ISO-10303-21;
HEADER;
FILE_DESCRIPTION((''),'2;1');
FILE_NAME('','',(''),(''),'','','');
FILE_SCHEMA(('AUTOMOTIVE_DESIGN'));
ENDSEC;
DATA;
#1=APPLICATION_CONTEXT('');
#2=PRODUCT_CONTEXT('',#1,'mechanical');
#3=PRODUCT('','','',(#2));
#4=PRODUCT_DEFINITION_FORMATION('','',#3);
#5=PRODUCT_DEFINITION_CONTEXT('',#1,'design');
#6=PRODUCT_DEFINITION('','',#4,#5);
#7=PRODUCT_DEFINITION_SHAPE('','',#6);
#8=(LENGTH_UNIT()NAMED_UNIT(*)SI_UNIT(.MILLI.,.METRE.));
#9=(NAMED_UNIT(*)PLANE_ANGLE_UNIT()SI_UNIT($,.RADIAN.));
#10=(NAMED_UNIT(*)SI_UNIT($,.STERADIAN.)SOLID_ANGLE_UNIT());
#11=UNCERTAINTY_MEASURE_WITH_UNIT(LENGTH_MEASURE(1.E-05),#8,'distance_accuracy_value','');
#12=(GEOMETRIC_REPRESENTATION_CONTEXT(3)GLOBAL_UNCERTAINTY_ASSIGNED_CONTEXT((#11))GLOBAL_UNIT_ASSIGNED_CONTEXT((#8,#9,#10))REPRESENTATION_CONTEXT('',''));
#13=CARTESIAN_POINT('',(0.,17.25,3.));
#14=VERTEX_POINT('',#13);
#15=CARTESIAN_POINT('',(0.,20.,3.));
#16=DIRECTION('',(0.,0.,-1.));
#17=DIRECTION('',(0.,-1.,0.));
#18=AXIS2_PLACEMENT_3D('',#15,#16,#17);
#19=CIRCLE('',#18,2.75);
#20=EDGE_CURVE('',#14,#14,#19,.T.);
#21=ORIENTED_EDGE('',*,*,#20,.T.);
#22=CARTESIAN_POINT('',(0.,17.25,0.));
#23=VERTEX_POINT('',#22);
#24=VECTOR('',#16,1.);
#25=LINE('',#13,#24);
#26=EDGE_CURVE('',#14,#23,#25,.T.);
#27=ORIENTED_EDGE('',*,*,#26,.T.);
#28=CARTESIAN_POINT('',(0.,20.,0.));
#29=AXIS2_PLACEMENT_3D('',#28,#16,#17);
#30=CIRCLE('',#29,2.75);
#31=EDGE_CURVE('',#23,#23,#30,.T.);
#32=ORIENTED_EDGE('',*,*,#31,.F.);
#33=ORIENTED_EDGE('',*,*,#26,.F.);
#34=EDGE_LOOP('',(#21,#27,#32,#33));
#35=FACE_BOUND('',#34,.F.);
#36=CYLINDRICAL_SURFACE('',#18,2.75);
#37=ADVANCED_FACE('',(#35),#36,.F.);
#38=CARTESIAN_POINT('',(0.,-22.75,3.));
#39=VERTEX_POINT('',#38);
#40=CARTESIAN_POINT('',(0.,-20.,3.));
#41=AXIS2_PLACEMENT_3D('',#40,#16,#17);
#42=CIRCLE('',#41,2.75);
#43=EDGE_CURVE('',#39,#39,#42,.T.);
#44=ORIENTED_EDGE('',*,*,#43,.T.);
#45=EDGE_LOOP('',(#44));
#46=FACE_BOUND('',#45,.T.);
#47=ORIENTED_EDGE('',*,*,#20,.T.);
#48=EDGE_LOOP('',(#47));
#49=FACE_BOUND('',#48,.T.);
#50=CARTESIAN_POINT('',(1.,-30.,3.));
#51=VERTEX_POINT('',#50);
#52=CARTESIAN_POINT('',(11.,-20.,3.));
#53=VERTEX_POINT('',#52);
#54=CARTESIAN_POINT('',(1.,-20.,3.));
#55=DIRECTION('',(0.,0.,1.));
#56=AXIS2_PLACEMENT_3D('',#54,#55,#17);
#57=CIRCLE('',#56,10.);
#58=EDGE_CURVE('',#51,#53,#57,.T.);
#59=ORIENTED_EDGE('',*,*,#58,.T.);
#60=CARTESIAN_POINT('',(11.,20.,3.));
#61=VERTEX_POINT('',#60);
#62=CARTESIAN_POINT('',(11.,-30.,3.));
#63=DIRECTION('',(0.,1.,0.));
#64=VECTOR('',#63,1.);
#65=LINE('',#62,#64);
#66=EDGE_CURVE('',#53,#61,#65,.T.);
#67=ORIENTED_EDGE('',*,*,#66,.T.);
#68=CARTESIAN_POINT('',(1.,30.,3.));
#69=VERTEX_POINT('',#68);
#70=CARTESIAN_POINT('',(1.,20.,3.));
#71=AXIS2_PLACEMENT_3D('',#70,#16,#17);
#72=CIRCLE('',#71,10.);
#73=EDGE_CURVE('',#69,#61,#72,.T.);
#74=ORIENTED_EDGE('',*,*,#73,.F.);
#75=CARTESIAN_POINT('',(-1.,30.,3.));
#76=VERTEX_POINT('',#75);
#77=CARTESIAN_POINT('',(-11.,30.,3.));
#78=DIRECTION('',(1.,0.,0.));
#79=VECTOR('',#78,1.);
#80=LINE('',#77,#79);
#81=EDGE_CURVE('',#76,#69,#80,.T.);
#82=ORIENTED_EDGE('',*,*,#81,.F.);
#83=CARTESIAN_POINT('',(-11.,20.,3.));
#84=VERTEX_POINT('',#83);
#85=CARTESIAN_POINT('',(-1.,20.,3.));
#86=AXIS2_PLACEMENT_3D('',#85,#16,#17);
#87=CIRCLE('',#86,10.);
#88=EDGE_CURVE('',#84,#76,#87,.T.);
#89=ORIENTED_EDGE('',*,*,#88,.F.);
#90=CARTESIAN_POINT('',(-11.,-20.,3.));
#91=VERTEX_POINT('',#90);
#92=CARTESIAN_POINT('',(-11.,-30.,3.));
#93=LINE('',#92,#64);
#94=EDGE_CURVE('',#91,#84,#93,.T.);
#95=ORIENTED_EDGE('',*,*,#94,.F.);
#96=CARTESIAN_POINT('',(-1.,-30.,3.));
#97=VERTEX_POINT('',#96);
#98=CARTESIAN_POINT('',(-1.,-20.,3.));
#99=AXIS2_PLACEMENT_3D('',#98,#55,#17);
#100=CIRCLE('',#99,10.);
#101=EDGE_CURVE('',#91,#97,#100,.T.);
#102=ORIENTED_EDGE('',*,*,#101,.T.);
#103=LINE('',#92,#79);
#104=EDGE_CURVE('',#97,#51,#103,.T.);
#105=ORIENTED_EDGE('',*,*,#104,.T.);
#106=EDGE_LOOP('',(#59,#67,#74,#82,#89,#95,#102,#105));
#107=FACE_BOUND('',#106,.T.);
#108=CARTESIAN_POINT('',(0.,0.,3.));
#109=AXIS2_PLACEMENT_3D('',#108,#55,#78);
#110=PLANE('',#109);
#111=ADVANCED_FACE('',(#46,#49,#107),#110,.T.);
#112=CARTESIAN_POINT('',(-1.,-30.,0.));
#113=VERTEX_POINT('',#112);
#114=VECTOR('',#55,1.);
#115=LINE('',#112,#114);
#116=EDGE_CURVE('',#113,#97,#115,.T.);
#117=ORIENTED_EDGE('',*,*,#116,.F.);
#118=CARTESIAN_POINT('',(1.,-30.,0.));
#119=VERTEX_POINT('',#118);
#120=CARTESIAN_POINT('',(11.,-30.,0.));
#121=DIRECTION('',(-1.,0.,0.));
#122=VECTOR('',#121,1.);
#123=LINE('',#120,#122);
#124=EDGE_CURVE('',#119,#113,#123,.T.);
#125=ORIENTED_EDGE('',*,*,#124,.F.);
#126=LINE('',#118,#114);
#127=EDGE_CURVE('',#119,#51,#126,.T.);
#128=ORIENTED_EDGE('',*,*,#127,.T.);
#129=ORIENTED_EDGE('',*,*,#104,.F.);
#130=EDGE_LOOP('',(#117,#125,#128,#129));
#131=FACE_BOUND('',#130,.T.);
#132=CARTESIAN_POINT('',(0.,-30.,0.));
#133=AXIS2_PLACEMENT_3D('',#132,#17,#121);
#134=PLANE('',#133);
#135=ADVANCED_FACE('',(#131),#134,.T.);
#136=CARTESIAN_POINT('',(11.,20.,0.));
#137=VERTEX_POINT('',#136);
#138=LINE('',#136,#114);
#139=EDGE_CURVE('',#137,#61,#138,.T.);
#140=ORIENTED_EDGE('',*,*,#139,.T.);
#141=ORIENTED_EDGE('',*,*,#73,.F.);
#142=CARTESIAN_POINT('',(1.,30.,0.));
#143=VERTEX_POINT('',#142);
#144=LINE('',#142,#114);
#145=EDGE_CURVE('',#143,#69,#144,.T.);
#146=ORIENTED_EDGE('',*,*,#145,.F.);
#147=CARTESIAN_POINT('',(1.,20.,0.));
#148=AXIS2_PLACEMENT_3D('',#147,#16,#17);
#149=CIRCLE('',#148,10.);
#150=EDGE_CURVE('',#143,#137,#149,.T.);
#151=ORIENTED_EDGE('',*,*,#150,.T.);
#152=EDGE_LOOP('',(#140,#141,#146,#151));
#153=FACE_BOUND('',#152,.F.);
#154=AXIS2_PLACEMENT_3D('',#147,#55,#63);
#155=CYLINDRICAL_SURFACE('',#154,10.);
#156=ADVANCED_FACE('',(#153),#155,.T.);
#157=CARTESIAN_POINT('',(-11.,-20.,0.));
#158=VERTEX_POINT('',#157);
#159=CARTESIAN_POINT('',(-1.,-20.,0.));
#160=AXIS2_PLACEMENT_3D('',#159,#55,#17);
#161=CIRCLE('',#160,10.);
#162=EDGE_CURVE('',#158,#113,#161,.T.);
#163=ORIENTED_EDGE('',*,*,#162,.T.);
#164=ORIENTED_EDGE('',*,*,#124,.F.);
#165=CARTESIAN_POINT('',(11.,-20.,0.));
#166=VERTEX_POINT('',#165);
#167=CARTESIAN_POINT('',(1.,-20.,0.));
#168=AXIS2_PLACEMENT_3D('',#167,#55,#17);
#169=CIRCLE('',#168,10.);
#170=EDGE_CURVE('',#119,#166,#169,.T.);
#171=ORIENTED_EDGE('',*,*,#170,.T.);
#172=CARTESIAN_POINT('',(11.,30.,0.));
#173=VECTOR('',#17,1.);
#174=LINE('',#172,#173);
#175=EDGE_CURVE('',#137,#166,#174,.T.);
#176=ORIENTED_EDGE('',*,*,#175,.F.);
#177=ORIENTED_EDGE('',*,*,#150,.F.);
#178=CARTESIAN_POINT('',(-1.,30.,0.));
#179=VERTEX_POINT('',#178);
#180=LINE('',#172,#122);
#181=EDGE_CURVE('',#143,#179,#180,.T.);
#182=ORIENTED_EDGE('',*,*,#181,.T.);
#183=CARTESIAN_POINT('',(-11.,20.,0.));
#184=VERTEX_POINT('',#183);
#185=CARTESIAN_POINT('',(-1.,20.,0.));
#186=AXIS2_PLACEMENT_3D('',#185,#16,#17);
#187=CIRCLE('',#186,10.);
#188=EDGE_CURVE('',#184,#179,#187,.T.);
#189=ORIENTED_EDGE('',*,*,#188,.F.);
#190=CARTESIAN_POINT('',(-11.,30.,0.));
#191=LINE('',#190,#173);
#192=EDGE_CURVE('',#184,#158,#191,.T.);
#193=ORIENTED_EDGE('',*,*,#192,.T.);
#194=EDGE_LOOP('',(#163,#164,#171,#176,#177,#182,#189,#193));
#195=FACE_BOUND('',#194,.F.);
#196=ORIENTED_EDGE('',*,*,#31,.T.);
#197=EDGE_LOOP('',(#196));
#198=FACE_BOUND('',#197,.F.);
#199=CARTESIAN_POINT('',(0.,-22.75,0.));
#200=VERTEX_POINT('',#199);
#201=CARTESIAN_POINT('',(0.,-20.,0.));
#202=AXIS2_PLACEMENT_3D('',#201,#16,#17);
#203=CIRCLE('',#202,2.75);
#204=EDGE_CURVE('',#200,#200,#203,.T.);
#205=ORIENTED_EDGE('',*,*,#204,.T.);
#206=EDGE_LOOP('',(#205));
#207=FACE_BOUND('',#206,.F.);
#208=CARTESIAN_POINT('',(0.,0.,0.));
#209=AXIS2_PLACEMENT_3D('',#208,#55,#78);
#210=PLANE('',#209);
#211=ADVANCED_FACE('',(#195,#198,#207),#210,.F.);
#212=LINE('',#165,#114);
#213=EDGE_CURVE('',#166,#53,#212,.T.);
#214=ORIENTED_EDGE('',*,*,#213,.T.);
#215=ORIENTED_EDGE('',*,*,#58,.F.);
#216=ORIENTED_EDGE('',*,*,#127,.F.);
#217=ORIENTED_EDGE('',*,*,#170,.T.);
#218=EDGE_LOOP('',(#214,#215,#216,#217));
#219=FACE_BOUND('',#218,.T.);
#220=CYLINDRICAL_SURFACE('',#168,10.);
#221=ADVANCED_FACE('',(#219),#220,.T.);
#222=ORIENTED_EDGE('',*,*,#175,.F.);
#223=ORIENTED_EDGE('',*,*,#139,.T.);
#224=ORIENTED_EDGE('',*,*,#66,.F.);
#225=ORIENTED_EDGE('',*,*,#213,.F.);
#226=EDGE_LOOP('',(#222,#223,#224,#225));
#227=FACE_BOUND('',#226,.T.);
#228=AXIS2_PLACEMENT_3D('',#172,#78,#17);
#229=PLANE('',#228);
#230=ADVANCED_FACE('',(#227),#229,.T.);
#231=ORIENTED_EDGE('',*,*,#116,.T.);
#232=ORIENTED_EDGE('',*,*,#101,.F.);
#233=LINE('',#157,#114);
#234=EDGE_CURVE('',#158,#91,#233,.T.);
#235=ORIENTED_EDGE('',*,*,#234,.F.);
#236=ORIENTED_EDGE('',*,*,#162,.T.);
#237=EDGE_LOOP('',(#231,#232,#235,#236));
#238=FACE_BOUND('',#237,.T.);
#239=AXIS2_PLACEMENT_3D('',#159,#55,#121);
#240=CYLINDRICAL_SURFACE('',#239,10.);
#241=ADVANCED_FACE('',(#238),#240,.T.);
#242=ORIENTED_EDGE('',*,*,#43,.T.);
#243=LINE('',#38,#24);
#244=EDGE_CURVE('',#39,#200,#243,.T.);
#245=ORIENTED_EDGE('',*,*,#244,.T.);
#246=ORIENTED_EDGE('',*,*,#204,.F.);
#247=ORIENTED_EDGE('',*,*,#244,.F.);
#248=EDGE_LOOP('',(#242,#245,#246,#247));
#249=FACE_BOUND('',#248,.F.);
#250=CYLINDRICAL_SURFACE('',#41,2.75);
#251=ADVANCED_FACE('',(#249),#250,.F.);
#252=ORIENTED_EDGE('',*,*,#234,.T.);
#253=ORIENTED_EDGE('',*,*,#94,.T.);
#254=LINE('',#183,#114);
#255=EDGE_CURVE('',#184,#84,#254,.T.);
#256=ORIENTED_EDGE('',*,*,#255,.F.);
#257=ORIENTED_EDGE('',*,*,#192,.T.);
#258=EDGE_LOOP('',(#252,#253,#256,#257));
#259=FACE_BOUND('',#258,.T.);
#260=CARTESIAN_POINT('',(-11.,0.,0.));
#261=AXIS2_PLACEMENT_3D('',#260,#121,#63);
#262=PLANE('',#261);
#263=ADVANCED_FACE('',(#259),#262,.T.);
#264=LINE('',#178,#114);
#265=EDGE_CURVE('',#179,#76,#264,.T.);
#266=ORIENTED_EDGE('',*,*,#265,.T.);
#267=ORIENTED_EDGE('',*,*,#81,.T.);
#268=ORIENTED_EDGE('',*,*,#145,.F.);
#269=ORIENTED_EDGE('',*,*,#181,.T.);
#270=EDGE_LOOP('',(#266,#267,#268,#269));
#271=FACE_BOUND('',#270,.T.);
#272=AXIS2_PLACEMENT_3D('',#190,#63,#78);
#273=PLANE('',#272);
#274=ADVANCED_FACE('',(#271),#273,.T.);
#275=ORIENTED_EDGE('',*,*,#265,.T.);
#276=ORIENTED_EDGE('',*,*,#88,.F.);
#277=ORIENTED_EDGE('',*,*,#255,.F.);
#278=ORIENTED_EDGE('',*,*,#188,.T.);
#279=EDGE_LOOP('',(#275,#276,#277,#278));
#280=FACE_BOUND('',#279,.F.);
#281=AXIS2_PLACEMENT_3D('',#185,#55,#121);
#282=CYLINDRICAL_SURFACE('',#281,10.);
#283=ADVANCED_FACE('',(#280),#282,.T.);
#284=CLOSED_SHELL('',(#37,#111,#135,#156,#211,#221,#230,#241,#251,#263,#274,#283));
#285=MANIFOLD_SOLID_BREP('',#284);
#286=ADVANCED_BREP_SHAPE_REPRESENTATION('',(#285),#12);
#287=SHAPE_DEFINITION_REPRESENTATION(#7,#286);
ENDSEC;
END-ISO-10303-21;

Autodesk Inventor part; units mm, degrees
ref_plane "YZ Plane" through (0, 0, 0) normal (1, 0, 0) x (0, 1, 0)
ref_plane "XZ Plane" through (0, 0, 0) normal (0, 1, 0) x (-1, 0, 0)
ref_plane "XY Plane" through (0, 0, 0) normal (0, 0, 1) x (1, 0, 0)
sketch "Skizze1" plane through (0, 0, 0) normal (0, 0, 1) x (1, 0, 0)
  line L0 (-15.4, 0) -> (15.4, 0) projected
  line L1 (0, -42) -> (0, 42) projected
  line L2 (11, -30) -> (-11, -30)
  line L3 (-11, -30) -> (-11, 30)
  line L4 (-11, 30) -> (11, 30)
  line L5 (11, 30) -> (11, -30)
  line L6 (11, -30) -> (-11, 30) construction
  line L7 (-11, -30) -> (11, 30) construction
  point P0 (0, 0)
  dimension "d0" = 60
  dimension "d1" = 22
extrude "Extrusion1" add sketch "Skizze1" along normal blind 3
sketch "Skizze2" plane through (0, 0, 3) normal (0, 0, 1) x (1, 0, 0)
  line L0 (11, 30) -> (-11, 30) projected
  line L1 (-11, 30) -> (-11, -30) projected
  line L2 (-11, -30) -> (11, -30) projected
  line L3 (11, -30) -> (11, 30) projected
  line L4 (-17.5, 0) -> (17.5, 0) projected
  line L5 (0, -42) -> (0, 42) projected
  line L6 (3.1579, -20) -> (-3.1579, -20)
  line L7 (-3.1579, -20) -> (-3.1579, 20)
  line L8 (-3.1579, 20) -> (3.1579, 20)
  line L9 (3.1579, 20) -> (3.1579, -20)
  line L10 (3.1579, -20) -> (-3.1579, 20) construction
  line L11 (-3.1579, -20) -> (3.1579, 20) construction
  point P0 (0, 0)
  point P1 (0, 20)
  point P2 (0, -20)
  dimension "d4" = 40
hole "Bohrung1" at (0, 20, 3) at (0, -20, 3) direction (0, 0, -1) diameter 5.5 end through all
fillet "Rundung1" radius 10 4 edges at (-11, 30, 1.5) (11, 30, 1.5) (11, -30, 1.5) (-11, -30, 1.5)
sketch "Skizze3" plane through (0, 0, 3) normal (0, 0, 1) x (1, 0, 0)
  point P0 (0, 0)
properties part number "24_0497_0012" material "PMMA-Kunststoff"
